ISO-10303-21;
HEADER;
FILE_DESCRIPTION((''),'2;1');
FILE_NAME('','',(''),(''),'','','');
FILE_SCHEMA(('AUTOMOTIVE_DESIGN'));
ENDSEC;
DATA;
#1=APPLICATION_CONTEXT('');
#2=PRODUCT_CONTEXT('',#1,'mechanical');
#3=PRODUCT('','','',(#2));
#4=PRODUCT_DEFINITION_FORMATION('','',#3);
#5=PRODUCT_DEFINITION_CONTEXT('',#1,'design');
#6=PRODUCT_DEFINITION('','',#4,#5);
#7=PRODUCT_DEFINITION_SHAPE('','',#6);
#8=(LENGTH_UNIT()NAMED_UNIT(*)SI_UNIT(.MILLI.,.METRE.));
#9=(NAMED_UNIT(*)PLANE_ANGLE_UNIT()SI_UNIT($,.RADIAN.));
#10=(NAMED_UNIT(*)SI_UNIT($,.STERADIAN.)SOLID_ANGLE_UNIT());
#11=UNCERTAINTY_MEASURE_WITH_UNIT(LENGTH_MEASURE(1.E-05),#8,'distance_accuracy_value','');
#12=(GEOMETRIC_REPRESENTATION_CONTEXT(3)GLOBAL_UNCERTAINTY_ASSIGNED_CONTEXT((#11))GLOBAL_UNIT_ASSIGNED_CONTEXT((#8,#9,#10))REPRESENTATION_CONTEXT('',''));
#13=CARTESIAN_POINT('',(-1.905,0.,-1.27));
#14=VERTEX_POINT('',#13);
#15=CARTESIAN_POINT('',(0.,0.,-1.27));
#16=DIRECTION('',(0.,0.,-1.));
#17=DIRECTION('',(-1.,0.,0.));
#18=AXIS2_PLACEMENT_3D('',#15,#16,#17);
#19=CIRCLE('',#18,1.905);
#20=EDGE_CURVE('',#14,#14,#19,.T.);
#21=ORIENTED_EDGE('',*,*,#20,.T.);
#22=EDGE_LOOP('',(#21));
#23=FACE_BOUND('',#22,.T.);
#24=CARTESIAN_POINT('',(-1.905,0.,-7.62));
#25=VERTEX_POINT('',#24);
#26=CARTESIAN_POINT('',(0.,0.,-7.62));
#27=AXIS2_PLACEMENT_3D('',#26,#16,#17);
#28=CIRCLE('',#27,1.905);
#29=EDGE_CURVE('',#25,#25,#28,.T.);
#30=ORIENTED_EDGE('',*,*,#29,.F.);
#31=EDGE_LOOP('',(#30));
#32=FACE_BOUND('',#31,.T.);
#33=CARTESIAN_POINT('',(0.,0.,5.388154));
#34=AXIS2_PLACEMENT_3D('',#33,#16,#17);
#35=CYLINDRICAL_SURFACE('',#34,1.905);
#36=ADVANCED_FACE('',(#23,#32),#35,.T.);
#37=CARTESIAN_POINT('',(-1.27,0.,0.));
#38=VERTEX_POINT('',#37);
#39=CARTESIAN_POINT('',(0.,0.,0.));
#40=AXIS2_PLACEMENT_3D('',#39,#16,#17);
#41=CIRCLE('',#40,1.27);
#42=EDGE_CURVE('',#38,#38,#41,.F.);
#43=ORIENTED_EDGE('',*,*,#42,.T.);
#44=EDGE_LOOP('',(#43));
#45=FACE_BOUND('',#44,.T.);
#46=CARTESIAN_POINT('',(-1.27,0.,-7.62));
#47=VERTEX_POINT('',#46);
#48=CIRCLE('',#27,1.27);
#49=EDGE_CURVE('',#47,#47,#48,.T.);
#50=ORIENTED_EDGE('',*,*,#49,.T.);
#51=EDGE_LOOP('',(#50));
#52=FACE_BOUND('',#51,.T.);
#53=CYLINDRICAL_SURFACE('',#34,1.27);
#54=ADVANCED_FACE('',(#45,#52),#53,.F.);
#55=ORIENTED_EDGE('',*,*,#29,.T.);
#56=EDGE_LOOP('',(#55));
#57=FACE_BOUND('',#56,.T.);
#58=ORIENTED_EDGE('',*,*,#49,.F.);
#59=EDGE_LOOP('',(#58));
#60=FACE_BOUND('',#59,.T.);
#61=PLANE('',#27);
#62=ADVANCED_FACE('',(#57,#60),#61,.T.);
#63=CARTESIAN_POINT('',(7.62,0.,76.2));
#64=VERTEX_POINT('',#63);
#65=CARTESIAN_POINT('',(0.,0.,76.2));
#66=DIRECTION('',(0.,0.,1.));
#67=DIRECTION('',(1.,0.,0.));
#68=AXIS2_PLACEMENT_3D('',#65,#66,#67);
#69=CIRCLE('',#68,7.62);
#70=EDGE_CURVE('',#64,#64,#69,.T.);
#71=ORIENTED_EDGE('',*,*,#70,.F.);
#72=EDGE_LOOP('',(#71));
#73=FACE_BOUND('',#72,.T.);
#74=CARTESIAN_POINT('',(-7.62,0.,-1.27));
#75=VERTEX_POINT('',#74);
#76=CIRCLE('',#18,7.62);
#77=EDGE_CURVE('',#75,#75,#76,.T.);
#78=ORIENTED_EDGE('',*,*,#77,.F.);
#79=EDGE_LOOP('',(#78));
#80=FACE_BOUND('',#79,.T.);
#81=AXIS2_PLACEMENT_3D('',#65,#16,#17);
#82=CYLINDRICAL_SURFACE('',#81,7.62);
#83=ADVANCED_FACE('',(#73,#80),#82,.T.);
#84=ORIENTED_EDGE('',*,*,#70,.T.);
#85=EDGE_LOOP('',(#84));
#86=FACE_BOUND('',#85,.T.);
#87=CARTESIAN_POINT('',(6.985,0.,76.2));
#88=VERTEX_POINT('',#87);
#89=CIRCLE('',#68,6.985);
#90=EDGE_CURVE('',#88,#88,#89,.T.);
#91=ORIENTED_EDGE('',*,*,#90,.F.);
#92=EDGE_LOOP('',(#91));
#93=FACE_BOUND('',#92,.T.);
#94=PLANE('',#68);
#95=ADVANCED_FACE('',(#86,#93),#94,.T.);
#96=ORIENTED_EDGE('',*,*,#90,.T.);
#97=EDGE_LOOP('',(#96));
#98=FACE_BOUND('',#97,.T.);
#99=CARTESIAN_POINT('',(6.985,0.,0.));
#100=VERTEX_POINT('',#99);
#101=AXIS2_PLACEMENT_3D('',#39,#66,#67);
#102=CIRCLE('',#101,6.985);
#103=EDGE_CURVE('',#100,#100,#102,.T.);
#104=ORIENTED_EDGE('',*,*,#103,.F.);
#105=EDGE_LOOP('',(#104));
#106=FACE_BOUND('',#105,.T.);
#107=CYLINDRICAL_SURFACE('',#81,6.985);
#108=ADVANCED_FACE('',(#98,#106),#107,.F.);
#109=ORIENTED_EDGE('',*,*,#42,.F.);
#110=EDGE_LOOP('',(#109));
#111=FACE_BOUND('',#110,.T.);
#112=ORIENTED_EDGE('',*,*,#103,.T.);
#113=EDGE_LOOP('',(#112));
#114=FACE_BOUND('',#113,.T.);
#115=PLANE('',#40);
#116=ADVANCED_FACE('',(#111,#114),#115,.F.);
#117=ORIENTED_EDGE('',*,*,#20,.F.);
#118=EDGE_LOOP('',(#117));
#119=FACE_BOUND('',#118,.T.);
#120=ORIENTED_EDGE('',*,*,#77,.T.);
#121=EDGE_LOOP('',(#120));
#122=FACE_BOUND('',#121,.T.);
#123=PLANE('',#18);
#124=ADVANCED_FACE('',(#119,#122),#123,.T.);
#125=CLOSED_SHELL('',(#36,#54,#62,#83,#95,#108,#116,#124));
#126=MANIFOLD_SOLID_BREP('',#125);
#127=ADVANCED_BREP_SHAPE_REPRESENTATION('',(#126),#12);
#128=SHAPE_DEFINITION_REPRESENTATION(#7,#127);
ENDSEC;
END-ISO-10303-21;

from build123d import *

# Parameters (mm, degrees)
SKETCH1_R           = 7.62
SKETCH1_R_2         = 6.985
BOSS_EXTRUDE1_DEPTH = 76.2
SKETCH2_R           = 7.62
BOSS_EXTRUDE2_DEPTH = 1.27
SKETCH3_R           = 1.905
SKETCH3_R_2         = 1.27
BOSS_EXTRUDE3_DEPTH = 6.35
SKETCH4_R           = 1.27
CUT_EXTRUDE1_DEPTH  = 1.27


with BuildPart() as part:
    # Sketch1 → Boss-Extrude1 (new body)
    with BuildSketch(Plane.XY):
        Circle(SKETCH1_R)
        Circle(SKETCH1_R_2, mode=Mode.SUBTRACT)
    extrude(amount=BOSS_EXTRUDE1_DEPTH)

    # Sketch2 → Boss-Extrude2 (add)
    with BuildSketch(Plane(origin=(0, 0, 0), x_dir=(-1, 0, 0), z_dir=(0, 0, -1))):
        Circle(SKETCH2_R)
    extrude(amount=BOSS_EXTRUDE2_DEPTH)

    # Sketch3 → Boss-Extrude3 (add)
    with BuildSketch(Plane(origin=(0, 0, -1.27), x_dir=(-1, 0, 0), z_dir=(0, 0, -1))):
        Circle(SKETCH3_R)
        Circle(SKETCH3_R_2, mode=Mode.SUBTRACT)
    extrude(amount=BOSS_EXTRUDE3_DEPTH)

    # Sketch4 → Cut-Extrude1 (cut)
    with BuildSketch(Plane(origin=(0, 0, -1.27), x_dir=(-1, 0, 0), z_dir=(0, 0, -1))):
        Circle(SKETCH4_R)
    extrude(amount=-CUT_EXTRUDE1_DEPTH, mode=Mode.SUBTRACT)


solid = part.part
